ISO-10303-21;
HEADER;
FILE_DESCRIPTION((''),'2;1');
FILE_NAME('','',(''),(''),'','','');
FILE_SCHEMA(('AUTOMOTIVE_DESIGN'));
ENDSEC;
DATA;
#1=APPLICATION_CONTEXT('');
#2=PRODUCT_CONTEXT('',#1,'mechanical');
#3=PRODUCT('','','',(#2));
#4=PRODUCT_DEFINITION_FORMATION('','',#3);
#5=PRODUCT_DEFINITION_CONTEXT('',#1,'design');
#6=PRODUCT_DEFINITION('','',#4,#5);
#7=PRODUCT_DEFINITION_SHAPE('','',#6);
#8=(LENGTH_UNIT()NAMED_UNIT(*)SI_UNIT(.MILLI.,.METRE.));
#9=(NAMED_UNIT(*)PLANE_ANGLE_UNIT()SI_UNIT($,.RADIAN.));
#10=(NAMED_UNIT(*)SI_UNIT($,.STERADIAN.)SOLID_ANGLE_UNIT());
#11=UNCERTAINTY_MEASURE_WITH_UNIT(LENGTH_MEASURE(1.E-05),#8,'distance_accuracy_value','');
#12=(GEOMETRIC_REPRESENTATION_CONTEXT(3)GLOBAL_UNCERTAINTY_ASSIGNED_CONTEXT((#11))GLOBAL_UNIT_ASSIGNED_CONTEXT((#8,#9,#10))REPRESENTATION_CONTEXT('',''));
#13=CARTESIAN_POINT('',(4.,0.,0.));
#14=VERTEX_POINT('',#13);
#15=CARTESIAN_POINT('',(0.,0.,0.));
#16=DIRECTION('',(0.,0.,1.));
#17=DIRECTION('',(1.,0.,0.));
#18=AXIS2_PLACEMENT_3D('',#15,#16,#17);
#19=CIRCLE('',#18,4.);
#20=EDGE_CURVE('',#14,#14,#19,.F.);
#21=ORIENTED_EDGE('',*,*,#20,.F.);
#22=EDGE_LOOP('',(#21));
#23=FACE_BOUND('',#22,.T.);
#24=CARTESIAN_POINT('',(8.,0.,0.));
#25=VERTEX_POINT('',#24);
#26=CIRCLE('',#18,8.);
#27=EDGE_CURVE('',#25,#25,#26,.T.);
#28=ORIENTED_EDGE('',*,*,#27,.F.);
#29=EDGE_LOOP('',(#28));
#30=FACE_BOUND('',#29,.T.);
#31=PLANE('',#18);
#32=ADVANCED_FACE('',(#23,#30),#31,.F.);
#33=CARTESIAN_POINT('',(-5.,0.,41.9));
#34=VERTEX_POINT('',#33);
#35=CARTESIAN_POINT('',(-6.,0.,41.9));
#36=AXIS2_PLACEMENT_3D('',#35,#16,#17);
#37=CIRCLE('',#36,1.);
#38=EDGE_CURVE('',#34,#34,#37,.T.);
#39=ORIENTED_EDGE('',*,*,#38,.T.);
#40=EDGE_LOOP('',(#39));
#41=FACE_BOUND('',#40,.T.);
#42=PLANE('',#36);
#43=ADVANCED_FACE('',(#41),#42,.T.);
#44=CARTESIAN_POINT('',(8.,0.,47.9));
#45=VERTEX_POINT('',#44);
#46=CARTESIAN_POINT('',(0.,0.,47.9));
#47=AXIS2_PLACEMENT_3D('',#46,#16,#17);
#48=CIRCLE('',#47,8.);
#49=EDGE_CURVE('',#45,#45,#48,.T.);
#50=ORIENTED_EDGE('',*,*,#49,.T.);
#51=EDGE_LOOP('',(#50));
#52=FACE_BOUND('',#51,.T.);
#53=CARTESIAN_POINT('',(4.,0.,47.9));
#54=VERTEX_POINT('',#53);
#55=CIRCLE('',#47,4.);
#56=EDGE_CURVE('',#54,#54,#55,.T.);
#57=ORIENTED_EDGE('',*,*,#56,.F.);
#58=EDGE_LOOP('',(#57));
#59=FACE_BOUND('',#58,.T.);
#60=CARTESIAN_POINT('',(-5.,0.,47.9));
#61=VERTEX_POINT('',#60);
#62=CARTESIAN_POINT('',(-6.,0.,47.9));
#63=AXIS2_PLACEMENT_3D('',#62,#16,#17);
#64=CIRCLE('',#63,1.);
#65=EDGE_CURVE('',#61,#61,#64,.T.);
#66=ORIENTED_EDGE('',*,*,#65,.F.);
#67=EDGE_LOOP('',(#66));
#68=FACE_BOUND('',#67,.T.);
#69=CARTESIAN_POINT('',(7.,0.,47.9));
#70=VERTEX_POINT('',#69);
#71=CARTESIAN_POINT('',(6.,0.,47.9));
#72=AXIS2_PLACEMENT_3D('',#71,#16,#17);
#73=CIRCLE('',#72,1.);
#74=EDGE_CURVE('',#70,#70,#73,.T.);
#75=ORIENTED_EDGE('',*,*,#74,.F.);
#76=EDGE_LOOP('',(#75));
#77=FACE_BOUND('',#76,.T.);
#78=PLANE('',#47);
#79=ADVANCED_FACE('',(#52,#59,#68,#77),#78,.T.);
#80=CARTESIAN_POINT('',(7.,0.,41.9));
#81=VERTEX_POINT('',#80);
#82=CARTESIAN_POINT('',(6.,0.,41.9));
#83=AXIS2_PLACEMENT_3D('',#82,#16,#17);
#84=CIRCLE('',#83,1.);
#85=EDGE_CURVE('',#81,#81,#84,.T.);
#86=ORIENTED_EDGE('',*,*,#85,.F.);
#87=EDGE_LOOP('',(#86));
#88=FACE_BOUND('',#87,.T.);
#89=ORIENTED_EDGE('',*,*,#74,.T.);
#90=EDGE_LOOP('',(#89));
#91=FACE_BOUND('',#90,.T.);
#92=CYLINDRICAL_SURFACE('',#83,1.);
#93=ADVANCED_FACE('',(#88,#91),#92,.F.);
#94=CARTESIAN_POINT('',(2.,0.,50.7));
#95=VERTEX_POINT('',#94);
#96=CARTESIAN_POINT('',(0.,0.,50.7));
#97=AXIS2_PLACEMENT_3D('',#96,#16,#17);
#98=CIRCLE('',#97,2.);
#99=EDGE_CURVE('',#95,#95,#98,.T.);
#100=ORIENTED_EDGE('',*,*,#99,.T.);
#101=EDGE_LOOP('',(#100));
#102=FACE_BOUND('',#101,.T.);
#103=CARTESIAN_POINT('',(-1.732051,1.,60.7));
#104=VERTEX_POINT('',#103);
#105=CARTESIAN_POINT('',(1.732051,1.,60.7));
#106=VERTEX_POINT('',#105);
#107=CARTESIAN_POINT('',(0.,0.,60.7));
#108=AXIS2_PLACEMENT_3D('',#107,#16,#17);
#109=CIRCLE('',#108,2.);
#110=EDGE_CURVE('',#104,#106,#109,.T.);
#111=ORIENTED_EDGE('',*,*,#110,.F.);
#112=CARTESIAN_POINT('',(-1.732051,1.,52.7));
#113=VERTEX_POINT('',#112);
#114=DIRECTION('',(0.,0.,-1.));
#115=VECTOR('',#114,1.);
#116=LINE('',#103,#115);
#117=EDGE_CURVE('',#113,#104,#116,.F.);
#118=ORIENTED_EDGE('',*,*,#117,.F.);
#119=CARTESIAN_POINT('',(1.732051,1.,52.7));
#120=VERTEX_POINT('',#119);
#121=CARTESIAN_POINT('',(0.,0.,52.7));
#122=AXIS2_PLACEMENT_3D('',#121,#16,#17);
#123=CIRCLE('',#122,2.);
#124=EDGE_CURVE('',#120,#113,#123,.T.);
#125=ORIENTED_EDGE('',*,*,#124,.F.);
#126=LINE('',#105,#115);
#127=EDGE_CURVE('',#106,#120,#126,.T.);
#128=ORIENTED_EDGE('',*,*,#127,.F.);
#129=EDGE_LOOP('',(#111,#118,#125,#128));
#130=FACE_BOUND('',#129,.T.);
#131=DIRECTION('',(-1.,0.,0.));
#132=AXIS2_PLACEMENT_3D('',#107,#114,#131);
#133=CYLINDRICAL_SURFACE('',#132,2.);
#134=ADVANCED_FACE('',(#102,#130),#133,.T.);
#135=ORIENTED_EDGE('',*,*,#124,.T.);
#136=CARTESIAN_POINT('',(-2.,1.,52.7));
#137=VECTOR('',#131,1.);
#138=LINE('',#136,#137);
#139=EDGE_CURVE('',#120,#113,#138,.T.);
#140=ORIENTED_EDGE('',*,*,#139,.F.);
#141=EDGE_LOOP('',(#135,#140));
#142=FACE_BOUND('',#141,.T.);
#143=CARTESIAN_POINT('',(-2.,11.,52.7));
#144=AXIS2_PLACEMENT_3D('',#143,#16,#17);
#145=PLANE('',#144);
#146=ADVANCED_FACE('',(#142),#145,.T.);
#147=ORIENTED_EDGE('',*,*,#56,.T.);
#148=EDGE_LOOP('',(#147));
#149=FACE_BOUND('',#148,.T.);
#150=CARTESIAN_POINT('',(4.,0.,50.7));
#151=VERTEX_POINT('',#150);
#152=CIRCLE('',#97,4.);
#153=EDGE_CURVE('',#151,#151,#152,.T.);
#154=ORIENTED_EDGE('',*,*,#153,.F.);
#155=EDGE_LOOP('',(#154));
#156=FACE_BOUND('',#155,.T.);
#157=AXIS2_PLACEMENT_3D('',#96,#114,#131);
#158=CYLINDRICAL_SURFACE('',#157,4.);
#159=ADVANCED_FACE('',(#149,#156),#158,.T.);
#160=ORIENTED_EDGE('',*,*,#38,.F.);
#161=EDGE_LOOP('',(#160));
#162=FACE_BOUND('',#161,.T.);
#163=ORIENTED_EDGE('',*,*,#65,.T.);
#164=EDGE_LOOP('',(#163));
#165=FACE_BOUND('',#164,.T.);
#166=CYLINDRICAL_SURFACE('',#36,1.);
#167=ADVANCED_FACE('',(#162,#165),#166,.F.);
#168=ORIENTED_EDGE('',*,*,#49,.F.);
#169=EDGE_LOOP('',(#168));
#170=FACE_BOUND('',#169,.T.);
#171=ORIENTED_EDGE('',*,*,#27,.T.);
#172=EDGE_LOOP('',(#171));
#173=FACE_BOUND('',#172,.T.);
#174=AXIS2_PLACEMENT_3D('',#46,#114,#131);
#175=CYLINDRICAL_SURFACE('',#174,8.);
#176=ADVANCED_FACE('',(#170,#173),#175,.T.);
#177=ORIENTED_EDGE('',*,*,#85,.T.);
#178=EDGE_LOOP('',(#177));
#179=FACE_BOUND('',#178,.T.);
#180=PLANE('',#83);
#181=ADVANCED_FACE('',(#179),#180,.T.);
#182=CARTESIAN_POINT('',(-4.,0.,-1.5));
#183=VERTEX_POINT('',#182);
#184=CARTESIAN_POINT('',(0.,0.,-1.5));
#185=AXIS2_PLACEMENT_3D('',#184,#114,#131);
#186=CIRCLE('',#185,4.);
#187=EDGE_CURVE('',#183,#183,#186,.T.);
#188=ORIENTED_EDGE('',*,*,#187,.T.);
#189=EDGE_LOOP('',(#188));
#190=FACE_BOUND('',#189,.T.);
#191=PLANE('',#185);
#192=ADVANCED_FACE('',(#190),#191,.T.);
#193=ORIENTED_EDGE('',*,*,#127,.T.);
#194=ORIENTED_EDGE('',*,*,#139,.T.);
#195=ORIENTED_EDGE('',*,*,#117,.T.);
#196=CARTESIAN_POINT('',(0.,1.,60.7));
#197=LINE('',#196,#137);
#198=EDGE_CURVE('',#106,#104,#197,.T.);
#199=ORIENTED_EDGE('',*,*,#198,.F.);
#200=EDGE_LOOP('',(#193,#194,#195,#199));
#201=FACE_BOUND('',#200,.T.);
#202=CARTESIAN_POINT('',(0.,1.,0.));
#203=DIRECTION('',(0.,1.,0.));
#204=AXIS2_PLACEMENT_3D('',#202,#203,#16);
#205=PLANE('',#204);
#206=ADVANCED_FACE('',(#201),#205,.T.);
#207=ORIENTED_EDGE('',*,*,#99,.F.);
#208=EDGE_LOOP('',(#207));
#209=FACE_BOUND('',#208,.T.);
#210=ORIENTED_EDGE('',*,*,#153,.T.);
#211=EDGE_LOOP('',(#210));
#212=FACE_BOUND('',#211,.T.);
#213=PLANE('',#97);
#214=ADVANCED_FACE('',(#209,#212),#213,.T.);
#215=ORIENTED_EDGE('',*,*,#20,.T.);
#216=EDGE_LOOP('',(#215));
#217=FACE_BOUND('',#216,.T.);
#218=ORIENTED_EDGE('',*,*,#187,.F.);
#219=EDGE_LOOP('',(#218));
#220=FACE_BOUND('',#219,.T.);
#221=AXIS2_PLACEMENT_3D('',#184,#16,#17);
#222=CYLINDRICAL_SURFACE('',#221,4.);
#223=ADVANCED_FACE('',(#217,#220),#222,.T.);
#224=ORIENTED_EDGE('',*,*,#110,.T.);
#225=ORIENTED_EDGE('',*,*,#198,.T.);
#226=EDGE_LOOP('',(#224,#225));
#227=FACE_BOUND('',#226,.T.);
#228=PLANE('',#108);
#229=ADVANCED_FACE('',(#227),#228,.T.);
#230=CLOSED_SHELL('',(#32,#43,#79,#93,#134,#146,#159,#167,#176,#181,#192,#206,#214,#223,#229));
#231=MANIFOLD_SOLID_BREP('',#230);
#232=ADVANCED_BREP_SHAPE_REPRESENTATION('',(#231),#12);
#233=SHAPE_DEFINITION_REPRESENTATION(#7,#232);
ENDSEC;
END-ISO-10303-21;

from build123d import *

# Parameters (mm, degrees)
ESQUISSE1_R             = 8
BOSS_EXTRU_1_DEPTH      = 47.9
ESQUISSE2_R             = 4
BOSS_EXTRU_2_DEPTH      = 2.8
ESQUISSE3_R             = 2
BOSS_EXTRU_3_DEPTH      = 10
ESQUISSE5_W             = 4
ESQUISSE5_H             = 8
ENL_V_MAT_EXTRU_1_DEPTH = 10
BOSS_EXTRU_4_START      = 1.5
ESQUISSE6_R             = 4
BOSS_EXTRU_4_DEPTH      = 1.5
ESQUISSE7_R             = 1
ENL_V_MAT_EXTRU_2_DEPTH = 6


with BuildPart() as part:
    # Esquisse1 → Boss.-Extru.1 (new body)
    with BuildSketch(Plane.XY):
        Circle(ESQUISSE1_R)
    extrude(amount=BOSS_EXTRU_1_DEPTH)

    # Esquisse2 → Boss.-Extru.2 (add)
    with BuildSketch(Plane.XY.offset(47.9)):
        Circle(ESQUISSE2_R)
    extrude(amount=BOSS_EXTRU_2_DEPTH)

    # Esquisse3 → Boss.-Extru.3 (add)
    with BuildSketch(Plane.XY.offset(50.7)):
        Circle(ESQUISSE3_R)
    extrude(amount=BOSS_EXTRU_3_DEPTH)

    # Esquisse5 → Enlèv. mat.-Extru.1 (cut)
    with BuildSketch(Plane(origin=(0, 1, 0), x_dir=(1, 0, 0), z_dir=(0, 1, 0))):
        with Locations((0, -56.7)):
            Rectangle(ESQUISSE5_W, ESQUISSE5_H)
    extrude(amount=ENL_V_MAT_EXTRU_1_DEPTH, mode=Mode.SUBTRACT)

    # Esquisse6 → Boss.-Extru.4 (add)
    with BuildSketch(Plane(origin=(0, 0, 0), x_dir=(-1, 0, 0), z_dir=(0, 0, -1)).offset(BOSS_EXTRU_4_START)):
        with Locations(Location((0, 0, 0), (0, 0, 180))):
            Circle(ESQUISSE6_R)
    extrude(amount=-BOSS_EXTRU_4_DEPTH)

    # Esquisse7 → Enlèv. mat.-Extru.2 (cut)
    with BuildSketch(Plane.XY.offset(47.9)):
        with Locations((6, 0)):
            Circle(ESQUISSE7_R)
        with Locations((-6, 0)):
            Circle(ESQUISSE7_R)
    extrude(amount=-ENL_V_MAT_EXTRU_2_DEPTH, mode=Mode.SUBTRACT)


solid = part.part
